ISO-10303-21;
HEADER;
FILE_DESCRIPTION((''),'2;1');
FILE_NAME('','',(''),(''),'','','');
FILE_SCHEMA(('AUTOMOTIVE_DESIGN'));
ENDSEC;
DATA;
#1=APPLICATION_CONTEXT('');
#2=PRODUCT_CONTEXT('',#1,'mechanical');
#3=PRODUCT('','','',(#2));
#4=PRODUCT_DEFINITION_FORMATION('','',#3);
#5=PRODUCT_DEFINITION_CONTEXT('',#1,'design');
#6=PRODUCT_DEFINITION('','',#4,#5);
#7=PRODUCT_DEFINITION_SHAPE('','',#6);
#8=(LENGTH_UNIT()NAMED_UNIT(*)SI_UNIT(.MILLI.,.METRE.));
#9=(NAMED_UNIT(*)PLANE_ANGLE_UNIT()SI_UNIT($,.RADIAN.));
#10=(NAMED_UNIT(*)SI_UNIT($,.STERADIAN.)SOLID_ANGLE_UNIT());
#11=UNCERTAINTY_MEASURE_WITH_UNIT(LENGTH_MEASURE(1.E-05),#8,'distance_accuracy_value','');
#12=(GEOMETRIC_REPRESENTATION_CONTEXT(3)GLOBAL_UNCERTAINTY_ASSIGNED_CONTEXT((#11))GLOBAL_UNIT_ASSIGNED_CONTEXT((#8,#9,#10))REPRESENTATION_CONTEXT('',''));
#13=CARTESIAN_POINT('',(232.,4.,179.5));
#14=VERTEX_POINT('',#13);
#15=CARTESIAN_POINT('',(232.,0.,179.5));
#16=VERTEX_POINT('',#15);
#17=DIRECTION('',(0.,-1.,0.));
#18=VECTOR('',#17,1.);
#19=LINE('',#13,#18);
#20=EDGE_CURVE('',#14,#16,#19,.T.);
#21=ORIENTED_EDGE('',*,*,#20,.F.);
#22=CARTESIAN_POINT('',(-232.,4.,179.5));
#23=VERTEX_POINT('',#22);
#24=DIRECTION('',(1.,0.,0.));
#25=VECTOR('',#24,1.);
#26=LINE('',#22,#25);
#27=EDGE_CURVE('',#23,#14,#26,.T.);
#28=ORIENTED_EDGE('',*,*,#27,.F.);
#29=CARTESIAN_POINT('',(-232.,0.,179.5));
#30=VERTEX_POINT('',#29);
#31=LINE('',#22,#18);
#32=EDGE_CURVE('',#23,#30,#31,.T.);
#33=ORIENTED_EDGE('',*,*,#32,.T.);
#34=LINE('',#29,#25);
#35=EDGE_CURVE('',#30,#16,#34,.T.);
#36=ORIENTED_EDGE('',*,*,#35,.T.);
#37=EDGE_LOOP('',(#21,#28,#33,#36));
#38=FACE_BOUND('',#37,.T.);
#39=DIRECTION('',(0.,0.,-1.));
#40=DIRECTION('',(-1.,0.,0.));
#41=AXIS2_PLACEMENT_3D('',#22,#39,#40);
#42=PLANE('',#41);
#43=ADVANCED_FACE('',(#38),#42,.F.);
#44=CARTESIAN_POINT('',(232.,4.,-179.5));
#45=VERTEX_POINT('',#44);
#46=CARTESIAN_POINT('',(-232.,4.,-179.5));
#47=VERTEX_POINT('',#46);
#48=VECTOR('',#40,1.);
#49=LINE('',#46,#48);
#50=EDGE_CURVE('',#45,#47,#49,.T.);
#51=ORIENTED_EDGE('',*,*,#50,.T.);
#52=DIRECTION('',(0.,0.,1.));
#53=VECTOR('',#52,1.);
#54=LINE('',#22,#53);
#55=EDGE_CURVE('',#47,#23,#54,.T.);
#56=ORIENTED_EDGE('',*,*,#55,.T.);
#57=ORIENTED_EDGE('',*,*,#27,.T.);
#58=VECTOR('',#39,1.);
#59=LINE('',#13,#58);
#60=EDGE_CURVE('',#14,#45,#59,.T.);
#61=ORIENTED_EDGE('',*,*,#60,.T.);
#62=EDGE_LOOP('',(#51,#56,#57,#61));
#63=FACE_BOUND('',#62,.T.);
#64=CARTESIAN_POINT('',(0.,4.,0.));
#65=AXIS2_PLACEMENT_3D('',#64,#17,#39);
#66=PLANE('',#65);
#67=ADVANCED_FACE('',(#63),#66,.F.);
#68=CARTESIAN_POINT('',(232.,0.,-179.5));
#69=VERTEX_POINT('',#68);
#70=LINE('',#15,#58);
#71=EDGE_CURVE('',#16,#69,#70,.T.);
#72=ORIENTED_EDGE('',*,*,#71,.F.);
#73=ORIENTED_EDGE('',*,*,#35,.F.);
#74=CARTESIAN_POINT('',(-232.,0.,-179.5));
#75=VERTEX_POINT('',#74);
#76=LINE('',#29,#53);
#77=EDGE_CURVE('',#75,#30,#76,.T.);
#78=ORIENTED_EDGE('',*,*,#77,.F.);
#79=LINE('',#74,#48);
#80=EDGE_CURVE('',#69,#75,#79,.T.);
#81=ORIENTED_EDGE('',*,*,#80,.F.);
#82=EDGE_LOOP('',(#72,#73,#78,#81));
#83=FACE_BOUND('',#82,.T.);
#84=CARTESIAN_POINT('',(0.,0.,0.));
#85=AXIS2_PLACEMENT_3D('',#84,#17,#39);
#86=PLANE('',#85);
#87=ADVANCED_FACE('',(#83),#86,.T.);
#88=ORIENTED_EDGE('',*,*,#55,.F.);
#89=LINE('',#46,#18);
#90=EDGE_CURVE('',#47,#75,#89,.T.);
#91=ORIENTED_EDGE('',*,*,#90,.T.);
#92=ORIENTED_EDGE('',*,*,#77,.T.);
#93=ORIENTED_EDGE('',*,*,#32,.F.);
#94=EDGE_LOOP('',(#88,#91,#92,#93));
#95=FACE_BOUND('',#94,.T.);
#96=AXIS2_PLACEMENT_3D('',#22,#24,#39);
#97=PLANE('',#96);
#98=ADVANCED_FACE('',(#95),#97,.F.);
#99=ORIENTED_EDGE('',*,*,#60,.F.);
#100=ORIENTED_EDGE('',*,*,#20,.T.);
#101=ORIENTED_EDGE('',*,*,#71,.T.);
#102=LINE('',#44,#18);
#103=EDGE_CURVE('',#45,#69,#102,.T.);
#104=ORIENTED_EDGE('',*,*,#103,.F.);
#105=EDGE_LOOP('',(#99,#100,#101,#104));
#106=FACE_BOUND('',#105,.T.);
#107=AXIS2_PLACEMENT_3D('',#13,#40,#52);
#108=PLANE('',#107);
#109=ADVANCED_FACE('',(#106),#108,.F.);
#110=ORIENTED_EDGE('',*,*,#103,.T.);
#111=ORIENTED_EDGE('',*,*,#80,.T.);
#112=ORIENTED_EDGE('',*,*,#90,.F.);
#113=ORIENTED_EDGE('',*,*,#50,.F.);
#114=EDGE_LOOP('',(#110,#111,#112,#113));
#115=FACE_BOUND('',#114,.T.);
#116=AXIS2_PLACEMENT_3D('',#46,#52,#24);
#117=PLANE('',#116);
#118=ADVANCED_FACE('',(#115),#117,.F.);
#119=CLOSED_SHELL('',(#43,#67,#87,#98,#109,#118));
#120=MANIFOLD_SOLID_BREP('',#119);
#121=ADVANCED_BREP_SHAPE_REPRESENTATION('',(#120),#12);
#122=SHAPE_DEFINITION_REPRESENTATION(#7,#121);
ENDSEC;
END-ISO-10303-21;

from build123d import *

# Parameters (mm, degrees)
SKETCH_1_W      = 464
SKETCH_1_H      = 359
EXTRUDE_1_DEPTH = 4


with BuildPart() as part:
    # Эскиз1 → Бобышка-Вытянуть1 (new body)
    with BuildSketch(Plane(origin=(0, 0, 0), x_dir=(1, 0, 0), z_dir=(0, 1, 0))):
        Rectangle(SKETCH_1_W, SKETCH_1_H)
    extrude(amount=EXTRUDE_1_DEPTH)


solid = part.part
